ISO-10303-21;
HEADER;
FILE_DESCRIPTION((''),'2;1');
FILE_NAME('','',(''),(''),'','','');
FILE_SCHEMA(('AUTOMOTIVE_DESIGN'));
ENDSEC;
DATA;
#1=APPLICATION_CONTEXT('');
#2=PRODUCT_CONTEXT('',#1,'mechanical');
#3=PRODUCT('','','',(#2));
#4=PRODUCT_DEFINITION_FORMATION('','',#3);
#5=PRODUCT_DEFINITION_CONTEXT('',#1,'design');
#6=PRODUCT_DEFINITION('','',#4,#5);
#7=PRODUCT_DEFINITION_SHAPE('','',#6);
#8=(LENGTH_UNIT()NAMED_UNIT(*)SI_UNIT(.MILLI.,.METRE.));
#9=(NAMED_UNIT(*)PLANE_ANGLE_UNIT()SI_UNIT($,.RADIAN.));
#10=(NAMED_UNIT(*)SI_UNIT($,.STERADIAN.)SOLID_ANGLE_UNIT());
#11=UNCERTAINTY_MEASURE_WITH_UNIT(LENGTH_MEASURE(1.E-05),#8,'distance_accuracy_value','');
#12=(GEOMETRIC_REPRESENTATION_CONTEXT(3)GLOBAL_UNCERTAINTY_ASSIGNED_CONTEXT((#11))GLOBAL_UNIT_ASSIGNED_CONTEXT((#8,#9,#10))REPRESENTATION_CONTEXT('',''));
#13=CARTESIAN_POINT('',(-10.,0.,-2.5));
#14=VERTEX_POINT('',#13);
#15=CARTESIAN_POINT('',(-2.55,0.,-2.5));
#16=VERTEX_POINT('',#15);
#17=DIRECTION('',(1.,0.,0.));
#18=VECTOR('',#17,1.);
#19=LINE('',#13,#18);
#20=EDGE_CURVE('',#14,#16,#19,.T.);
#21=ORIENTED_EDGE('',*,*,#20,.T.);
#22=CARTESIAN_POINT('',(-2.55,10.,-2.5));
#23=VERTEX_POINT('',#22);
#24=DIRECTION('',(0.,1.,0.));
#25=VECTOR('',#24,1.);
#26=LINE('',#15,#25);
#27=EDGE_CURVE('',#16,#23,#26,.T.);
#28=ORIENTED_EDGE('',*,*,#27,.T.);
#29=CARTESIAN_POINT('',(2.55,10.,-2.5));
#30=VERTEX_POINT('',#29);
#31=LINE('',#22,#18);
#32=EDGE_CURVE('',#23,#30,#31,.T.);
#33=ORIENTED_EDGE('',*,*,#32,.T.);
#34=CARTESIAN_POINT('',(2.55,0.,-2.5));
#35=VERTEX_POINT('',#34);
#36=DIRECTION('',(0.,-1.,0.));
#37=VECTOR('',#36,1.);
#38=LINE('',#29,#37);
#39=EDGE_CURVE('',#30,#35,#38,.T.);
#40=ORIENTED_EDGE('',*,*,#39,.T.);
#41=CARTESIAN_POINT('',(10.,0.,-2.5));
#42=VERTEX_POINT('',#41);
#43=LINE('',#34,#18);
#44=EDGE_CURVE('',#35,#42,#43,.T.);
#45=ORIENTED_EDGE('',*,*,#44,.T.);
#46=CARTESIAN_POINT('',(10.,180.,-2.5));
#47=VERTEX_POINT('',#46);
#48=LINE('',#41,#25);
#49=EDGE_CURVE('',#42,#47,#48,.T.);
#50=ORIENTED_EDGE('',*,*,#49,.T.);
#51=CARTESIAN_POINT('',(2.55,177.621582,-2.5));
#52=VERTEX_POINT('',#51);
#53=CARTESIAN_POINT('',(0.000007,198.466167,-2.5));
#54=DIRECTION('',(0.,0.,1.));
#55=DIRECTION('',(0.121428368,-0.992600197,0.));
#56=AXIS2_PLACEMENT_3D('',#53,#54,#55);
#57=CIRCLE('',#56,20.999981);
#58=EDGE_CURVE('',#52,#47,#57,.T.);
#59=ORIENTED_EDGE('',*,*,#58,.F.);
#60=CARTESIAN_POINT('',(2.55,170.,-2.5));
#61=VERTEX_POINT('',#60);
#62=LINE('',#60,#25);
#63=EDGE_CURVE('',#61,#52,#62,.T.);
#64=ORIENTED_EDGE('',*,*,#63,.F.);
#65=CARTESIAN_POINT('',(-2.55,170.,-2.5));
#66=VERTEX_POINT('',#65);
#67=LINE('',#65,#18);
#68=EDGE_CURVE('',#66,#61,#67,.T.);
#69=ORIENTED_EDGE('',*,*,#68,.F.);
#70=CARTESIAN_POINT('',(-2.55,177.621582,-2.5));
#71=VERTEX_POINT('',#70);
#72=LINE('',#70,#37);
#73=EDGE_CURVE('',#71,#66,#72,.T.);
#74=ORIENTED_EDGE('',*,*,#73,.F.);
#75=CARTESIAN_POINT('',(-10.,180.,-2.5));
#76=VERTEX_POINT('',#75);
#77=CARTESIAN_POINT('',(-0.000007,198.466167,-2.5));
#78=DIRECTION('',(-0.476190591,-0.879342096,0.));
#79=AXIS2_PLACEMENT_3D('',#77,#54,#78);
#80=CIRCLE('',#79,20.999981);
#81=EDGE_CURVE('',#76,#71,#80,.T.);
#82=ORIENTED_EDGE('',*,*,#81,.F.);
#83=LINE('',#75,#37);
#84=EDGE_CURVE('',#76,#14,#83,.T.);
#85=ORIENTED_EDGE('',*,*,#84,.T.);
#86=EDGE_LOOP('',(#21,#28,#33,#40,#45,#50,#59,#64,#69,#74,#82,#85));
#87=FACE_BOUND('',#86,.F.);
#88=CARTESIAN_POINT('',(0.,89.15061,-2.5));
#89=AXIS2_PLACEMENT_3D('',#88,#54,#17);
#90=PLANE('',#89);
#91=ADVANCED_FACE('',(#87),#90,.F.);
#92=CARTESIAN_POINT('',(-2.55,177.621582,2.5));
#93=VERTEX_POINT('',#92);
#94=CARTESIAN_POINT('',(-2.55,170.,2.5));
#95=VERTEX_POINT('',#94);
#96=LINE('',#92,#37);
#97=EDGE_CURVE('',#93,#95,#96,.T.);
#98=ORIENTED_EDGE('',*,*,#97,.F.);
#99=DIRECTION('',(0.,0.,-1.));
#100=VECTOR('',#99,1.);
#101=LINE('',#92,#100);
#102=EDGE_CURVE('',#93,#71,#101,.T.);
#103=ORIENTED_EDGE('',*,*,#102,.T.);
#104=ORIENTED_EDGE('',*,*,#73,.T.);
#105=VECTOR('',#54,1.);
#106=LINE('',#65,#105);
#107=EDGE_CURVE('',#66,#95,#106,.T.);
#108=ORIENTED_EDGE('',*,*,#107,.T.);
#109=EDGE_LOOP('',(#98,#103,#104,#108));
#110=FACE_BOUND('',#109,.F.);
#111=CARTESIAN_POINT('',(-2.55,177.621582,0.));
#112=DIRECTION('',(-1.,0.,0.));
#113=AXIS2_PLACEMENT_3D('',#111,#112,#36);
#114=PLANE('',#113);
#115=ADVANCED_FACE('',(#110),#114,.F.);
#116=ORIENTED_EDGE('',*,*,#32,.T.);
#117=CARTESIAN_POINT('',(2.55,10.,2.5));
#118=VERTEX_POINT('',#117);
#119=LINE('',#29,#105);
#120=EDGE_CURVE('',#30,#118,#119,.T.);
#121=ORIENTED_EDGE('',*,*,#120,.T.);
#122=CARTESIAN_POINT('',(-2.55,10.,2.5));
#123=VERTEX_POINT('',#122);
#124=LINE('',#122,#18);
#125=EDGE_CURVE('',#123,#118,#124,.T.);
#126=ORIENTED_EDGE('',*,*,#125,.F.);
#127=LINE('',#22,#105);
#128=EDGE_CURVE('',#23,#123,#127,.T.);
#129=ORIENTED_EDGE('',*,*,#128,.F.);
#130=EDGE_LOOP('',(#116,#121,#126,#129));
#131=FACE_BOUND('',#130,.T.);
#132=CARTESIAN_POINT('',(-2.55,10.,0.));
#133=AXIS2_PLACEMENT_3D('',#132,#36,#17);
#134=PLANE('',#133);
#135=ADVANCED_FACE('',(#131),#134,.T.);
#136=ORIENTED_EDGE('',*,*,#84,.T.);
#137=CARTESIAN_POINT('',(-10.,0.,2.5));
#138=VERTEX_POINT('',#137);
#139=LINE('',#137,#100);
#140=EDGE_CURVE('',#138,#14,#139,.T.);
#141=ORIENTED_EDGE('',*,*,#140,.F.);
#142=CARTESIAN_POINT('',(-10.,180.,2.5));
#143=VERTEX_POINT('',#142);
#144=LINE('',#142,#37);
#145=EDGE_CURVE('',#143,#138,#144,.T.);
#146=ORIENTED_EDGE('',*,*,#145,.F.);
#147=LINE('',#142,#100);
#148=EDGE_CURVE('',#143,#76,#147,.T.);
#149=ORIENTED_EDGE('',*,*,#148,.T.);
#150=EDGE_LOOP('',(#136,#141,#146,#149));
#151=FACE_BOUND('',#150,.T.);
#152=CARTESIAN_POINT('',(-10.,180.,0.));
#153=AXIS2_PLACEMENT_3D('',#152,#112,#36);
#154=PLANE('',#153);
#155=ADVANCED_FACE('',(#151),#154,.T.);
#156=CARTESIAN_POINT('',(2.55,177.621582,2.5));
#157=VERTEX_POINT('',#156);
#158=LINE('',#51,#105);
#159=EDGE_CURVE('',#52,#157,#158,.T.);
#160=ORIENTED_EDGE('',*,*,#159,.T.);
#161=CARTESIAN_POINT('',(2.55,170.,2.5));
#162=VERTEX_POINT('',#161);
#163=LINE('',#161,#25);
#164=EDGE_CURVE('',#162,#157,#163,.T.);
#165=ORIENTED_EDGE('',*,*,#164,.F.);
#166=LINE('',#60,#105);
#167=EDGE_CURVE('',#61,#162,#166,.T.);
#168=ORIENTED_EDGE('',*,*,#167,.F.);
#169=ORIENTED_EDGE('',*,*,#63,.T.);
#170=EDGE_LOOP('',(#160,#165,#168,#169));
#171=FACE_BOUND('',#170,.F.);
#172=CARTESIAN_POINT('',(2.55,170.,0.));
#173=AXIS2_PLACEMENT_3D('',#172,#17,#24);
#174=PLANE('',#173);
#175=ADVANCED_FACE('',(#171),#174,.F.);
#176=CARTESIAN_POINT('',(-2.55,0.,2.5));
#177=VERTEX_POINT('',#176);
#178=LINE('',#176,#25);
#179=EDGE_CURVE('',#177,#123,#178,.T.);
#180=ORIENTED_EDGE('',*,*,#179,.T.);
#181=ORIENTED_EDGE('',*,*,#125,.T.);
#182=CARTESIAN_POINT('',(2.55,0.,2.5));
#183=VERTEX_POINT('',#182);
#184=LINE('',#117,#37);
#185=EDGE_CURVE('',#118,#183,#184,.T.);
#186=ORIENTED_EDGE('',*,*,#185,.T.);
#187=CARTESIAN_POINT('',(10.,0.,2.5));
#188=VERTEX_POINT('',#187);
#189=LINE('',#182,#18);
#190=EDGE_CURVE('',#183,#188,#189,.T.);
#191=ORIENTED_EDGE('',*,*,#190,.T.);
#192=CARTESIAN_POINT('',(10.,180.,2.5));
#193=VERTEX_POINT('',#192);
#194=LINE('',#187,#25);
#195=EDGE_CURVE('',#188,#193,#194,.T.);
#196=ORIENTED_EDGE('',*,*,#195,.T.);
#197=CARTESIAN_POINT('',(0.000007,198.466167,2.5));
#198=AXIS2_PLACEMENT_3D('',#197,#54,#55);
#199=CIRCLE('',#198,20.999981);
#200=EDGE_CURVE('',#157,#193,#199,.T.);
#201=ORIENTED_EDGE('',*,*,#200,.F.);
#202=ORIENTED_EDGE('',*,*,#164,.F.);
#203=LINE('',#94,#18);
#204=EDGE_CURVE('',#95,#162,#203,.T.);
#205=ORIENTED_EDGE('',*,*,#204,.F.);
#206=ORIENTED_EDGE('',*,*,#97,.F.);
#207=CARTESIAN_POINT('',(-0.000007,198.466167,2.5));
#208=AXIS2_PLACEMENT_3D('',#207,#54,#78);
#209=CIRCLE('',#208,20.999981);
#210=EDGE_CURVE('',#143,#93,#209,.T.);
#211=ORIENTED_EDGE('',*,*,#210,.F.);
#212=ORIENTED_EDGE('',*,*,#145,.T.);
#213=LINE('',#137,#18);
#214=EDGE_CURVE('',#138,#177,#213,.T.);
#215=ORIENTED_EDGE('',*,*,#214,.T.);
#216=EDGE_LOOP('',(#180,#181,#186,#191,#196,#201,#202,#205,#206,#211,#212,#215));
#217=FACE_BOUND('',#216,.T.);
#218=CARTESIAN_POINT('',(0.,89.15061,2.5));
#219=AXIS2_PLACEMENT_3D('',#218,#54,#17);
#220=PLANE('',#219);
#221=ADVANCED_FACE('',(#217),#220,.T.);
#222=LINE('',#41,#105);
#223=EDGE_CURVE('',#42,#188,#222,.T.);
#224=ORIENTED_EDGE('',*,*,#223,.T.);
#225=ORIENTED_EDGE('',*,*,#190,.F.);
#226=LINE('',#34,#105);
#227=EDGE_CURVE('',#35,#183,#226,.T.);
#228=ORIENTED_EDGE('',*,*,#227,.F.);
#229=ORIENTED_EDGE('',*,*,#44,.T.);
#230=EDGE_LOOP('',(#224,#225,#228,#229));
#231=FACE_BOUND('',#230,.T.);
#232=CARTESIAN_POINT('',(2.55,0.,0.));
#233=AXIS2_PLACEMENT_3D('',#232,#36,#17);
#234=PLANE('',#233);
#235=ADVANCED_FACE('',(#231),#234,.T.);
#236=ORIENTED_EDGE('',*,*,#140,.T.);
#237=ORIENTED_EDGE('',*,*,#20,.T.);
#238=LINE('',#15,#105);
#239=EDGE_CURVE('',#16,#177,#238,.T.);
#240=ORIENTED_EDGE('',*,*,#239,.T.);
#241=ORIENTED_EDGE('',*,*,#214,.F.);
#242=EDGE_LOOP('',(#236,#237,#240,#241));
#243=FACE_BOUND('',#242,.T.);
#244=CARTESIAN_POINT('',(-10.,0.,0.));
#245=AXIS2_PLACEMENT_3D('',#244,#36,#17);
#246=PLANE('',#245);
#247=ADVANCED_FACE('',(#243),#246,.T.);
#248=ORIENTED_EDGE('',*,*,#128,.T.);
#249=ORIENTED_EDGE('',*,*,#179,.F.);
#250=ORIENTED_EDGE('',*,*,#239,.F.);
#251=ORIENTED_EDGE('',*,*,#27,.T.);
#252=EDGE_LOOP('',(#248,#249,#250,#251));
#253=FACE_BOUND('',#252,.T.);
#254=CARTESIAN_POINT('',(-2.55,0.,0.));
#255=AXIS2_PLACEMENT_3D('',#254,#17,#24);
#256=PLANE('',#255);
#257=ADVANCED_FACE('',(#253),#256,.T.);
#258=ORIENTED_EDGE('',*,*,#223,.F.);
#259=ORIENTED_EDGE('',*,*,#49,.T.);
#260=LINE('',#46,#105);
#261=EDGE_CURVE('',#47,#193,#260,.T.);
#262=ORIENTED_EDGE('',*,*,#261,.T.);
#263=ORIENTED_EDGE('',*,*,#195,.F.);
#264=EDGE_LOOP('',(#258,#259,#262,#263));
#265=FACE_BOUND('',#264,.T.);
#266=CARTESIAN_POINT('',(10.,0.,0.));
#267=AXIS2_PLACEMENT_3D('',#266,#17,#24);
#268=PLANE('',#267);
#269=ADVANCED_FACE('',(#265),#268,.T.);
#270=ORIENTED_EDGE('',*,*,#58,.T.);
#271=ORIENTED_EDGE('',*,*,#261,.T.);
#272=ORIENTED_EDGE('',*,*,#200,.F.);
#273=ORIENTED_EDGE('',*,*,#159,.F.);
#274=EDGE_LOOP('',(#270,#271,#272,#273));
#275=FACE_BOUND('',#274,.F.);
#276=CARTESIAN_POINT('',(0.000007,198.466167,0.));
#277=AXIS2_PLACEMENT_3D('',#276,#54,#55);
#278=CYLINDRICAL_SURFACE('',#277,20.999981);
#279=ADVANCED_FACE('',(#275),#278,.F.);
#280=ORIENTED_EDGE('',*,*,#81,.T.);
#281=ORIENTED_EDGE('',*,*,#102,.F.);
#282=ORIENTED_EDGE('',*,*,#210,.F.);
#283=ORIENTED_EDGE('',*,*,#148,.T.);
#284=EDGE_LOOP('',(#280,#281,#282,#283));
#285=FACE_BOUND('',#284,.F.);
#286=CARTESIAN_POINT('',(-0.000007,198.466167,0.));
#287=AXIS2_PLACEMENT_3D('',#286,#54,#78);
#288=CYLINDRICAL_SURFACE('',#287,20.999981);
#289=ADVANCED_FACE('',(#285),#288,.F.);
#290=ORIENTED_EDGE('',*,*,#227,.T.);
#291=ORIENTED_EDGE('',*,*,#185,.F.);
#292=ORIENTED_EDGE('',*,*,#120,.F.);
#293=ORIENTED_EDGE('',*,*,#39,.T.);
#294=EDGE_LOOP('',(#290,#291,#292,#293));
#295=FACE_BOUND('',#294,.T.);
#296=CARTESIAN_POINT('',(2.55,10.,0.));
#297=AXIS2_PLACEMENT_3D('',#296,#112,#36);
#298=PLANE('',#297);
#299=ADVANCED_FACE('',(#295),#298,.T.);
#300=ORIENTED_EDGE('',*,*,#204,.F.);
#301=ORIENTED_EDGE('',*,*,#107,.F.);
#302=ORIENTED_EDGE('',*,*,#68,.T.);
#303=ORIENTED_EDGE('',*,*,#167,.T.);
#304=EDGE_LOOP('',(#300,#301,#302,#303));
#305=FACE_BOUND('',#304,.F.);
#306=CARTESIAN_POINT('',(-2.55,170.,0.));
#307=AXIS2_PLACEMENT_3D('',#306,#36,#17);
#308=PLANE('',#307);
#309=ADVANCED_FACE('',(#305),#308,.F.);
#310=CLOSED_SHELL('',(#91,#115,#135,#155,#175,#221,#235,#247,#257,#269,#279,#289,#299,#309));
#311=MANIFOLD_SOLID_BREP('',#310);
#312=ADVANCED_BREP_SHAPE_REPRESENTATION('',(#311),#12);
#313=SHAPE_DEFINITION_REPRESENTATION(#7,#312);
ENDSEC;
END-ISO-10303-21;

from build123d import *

# Parameters (mm, degrees)
PAD_DEPTH = 2.5


with BuildPart() as part:
    # Sketch → Pad (new body, symmetric)
    with BuildSketch(Plane.XY):
        with BuildLine():
            Line((-10, 0), (-2.55, 0))
            Line((-2.55, 0), (-2.55, 10))
            Line((-2.55, 10), (2.55, 10))
            Line((2.55, 10), (2.55, 0))
            Line((2.55, 0), (10, 0))
            Line((10, 0), (10, 180))
            ThreePointArc((2.55, 177.621582), (6.386693, 178.460932), (10, 180))
            Line((2.55, 170), (2.55, 177.621582))
            Line((-2.55, 170), (2.55, 170))
            Line((-2.55, 177.621582), (-2.55, 170))
            ThreePointArc((-10, 180), (-6.386693, 178.460932), (-2.55, 177.621582))
            Line((-10, 180), (-10, 0))
        make_face()
    extrude(amount=PAD_DEPTH, both=True)


solid = part.part
